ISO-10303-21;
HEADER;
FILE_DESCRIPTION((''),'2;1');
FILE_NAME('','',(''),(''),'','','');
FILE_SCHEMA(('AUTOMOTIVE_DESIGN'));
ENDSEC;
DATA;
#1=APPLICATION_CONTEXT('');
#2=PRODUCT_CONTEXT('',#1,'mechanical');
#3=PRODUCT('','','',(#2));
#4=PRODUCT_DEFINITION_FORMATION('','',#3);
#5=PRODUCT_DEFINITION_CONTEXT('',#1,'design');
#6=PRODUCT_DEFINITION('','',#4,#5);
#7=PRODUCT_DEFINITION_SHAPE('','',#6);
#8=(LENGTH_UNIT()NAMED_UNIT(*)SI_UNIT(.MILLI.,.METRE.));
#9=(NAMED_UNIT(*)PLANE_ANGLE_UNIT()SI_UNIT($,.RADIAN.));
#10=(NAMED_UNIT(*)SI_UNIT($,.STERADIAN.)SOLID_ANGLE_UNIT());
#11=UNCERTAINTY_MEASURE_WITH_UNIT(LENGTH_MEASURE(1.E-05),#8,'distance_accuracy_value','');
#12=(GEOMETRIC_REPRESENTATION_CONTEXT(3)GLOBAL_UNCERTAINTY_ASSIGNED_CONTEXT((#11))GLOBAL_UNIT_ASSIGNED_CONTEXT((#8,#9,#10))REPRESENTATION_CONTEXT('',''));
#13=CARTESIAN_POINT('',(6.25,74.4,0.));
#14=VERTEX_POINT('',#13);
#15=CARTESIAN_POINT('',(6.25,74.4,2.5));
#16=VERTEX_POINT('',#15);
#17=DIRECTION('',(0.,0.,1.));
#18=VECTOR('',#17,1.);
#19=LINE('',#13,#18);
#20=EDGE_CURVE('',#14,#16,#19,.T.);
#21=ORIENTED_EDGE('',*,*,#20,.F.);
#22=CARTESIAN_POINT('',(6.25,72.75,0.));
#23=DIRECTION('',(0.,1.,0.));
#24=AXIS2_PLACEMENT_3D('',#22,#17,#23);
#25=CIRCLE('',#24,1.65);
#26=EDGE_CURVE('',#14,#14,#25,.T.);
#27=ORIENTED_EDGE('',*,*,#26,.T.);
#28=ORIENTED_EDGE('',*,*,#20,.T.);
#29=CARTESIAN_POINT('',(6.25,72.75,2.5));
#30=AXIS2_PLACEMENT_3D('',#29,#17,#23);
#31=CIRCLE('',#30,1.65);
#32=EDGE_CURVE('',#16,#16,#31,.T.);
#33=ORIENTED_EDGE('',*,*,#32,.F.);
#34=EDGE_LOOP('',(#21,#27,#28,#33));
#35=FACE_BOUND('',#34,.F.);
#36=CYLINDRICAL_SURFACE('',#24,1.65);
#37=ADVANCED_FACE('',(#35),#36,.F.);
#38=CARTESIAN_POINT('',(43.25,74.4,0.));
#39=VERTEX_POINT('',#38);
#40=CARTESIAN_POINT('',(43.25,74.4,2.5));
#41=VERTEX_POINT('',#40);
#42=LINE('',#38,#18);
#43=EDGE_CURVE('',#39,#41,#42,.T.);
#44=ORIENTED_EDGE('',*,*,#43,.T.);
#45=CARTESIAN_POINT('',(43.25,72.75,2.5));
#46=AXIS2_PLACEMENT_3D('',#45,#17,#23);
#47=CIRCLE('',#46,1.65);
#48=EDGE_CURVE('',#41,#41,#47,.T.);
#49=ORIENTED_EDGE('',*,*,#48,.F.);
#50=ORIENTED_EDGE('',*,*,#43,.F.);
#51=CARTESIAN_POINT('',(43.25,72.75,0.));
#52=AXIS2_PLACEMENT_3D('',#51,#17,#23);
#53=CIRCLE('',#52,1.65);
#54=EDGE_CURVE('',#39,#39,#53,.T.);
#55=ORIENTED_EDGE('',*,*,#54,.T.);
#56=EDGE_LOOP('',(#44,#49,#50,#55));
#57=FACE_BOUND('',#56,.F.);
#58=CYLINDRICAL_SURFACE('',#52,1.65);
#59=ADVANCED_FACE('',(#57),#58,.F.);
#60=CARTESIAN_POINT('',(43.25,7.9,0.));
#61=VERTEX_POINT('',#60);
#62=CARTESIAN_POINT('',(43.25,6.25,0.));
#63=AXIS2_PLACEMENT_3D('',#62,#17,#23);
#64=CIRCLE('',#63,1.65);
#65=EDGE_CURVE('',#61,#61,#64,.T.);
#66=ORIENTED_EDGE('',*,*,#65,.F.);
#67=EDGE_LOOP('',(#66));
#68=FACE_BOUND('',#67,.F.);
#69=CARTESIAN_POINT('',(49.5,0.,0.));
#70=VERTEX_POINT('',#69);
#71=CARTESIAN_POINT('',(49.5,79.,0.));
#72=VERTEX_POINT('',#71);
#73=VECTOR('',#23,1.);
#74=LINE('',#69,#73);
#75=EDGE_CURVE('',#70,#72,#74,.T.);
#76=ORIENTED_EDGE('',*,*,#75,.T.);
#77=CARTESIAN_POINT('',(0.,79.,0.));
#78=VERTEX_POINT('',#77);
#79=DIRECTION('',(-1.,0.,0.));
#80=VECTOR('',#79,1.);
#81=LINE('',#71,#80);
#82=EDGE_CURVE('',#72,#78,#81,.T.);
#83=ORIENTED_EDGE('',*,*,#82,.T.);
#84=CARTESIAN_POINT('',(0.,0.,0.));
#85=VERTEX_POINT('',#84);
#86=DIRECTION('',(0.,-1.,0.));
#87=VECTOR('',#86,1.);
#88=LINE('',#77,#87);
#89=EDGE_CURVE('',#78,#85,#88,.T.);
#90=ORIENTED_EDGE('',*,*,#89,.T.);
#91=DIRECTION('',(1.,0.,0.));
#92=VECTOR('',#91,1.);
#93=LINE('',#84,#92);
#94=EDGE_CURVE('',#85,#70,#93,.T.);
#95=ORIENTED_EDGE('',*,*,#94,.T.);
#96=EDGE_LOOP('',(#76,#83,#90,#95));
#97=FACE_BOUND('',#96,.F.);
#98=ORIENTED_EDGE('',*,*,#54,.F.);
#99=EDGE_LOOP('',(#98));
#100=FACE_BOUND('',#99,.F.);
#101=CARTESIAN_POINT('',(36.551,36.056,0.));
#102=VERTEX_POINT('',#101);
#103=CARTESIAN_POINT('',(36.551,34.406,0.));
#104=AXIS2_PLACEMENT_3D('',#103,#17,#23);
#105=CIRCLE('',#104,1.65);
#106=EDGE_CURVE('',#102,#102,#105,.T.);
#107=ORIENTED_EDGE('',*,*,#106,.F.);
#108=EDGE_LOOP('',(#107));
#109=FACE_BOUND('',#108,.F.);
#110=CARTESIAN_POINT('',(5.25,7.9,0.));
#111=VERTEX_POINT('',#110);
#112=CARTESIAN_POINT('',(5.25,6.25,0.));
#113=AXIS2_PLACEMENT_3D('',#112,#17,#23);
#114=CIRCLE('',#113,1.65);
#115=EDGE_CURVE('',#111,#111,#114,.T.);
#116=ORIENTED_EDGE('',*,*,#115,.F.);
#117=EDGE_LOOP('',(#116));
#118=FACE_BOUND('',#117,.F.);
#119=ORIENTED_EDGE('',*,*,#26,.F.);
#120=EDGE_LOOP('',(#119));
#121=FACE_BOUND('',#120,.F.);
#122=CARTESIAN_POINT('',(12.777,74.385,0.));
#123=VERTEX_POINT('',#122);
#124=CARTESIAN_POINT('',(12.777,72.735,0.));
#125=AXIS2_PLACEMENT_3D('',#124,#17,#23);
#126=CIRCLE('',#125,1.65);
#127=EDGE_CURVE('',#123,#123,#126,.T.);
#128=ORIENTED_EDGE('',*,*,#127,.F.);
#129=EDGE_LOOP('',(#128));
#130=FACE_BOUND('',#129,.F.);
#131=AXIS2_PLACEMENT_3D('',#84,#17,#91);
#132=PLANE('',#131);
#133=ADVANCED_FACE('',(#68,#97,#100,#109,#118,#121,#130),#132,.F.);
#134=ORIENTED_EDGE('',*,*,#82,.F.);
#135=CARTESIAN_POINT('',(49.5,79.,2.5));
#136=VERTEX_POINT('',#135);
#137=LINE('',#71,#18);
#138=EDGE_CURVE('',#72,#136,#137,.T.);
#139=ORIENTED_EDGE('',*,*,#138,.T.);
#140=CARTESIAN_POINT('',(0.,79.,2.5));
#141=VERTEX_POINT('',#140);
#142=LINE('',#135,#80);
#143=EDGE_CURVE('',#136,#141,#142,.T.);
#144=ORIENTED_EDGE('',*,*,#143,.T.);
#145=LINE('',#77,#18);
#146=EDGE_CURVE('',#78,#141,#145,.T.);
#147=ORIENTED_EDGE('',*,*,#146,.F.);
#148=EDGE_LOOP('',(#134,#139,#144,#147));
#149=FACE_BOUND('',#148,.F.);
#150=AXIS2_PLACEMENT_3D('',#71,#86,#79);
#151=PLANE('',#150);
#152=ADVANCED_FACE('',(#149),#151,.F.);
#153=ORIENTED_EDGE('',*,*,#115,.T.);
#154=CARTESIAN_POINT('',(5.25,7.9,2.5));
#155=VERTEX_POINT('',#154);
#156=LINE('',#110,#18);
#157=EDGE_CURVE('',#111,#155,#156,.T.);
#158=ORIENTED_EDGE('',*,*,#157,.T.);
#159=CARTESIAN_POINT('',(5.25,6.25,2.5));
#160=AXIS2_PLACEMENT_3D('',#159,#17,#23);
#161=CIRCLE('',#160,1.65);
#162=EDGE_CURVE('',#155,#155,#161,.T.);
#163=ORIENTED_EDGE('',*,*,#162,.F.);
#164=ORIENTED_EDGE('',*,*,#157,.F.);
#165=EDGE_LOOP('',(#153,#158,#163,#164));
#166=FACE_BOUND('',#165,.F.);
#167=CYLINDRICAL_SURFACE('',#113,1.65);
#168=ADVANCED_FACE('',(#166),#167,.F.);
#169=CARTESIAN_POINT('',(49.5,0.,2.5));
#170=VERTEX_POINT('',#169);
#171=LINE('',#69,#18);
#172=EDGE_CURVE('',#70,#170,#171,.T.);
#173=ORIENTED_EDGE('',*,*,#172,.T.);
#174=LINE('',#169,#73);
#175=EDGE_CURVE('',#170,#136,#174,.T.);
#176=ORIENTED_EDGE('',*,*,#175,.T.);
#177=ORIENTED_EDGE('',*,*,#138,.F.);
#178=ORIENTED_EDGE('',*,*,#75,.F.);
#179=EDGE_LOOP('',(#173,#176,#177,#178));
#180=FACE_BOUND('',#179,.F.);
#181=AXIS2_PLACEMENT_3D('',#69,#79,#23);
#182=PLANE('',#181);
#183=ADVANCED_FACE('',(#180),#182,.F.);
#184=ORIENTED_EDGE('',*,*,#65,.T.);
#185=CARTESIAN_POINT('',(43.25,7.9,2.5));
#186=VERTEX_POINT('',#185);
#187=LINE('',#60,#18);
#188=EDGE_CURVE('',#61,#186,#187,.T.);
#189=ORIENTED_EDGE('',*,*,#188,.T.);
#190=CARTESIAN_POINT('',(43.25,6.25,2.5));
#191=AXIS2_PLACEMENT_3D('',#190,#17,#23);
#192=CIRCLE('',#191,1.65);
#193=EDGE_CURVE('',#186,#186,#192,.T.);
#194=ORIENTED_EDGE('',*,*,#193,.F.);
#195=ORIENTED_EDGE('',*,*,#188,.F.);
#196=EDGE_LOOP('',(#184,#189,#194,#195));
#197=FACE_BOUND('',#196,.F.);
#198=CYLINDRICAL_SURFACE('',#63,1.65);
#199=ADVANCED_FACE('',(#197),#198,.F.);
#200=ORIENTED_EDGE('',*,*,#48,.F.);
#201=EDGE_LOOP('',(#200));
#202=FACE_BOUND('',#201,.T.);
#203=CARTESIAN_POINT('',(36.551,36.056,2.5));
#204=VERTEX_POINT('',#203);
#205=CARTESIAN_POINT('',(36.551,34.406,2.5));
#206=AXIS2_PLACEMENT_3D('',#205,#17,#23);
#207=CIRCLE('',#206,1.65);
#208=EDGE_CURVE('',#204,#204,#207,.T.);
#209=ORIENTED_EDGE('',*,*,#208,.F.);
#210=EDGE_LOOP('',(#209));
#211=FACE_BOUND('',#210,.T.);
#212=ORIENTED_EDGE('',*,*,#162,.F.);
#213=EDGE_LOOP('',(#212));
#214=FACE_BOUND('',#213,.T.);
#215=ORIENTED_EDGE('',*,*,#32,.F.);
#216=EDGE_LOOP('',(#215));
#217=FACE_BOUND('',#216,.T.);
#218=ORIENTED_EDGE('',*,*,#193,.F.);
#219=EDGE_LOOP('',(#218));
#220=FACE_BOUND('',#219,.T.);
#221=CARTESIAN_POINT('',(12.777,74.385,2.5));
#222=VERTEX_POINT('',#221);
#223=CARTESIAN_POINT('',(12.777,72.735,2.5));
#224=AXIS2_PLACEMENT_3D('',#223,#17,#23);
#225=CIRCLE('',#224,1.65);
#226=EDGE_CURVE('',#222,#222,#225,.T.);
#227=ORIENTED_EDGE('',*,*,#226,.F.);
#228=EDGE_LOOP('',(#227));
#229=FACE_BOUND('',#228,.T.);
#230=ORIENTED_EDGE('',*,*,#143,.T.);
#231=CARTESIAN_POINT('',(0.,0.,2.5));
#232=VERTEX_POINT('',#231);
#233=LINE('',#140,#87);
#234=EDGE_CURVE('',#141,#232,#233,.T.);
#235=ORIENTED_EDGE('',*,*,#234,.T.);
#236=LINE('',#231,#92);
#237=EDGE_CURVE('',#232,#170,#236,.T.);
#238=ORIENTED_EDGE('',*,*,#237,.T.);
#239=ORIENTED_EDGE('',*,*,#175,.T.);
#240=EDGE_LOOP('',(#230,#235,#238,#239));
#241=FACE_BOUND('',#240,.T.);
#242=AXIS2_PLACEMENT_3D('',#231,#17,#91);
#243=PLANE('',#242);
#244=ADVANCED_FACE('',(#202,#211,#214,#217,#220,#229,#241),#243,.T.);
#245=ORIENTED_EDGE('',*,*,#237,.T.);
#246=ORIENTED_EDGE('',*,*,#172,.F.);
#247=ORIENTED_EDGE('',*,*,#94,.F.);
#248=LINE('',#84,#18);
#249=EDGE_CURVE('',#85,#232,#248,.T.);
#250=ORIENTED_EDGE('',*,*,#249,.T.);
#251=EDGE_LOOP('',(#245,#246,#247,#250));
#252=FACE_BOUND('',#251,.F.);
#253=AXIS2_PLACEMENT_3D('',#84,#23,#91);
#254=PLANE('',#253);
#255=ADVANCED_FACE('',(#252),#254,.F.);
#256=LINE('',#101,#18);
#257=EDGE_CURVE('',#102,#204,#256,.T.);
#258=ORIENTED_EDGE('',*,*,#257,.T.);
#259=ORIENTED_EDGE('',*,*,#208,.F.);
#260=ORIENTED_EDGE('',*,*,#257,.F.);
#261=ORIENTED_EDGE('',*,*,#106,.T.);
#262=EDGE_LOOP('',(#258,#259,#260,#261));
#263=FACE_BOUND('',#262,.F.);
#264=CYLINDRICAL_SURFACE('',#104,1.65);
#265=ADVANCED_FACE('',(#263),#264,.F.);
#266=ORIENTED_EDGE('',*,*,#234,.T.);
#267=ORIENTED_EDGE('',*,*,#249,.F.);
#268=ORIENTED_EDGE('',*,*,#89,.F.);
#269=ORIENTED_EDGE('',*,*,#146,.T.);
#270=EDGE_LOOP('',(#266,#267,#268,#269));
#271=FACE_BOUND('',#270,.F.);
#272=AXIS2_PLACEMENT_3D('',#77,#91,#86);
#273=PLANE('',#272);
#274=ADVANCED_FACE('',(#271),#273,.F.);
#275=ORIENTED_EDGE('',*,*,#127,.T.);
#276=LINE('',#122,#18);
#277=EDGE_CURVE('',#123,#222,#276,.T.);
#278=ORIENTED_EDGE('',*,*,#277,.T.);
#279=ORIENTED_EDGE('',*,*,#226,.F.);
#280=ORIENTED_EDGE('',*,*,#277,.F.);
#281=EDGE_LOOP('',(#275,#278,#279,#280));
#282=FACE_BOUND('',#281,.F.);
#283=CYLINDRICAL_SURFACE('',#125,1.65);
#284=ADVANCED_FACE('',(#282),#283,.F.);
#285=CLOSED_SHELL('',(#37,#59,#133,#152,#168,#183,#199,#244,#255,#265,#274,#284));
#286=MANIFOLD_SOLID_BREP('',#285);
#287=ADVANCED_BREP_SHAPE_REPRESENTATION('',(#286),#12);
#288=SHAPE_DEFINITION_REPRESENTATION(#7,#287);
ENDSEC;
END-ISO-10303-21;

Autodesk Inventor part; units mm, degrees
ref_plane "YZ Plane" through (0, 0, 0) normal (1, 0, 0) x (0, 1, 0)
ref_plane "XZ Plane" through (0, 0, 0) normal (0, 1, 0) x (-1, 0, 0)
ref_plane "XY Plane" through (0, 0, 0) normal (0, 0, 1) x (1, 0, 0)
sketch "Sketch1" plane through (0, 0, 0) normal (0, 0, 1) x (1, 0, 0)
  line L0 (0, 0) -> (49.5, 0)
  line L1 (49.5, 0) -> (49.5, 79)
  line L2 (49.5, 79) -> (0, 79)
  line L3 (0, 79) -> (0, 0)
  dimension "d0" = 49.5
  dimension "d1" = 79
extrude "Extrusion1" add sketch "Sketch1" along normal blind 2.5
sketch "Sketch2" plane through (0, 0, 0) normal (0, 0, 1) x (1, 0, 0)
  line L0 (0, 79) -> (0, 0) projected
  line L1 (49.5, 79) -> (0, 79) projected
  point P0 (12.777, 72.735)
  point P1 (36.551, 34.406)
  dimension "d4" = 12.777
  dimension "d5" = 6.265
  dimension "d6" = 38.329
  dimension "d7" = 23.774
hole "Hole1" at (12.777, 72.735, 0) at (36.551, 34.406, 0) direction (0, 0, 1) diameter 3.3 end through all
sketch "Sketch3" plane through (0, 0, 0) normal (0, 0, 1) x (1, 0, 0)
  line L0 (0, 0) -> (49.5, 0) projected
  line L1 (0, 79) -> (0, 0) projected
  point P0 (5.25, 6.25)
  point P1 (43.25, 6.25)
  point P2 (43.25, 72.75)
  point P3 (6.25, 72.75)
  dimension "d15" = 6.25
  dimension "d16" = 5.25
  dimension "d17" = 38
  dimension "d18" = 72.75
  dimension "d26" = 6.25
hole "Hole2" at (5.25, 6.25, 0) at (43.25, 6.25, 0) at (43.25, 72.75, 0) at (6.25, 72.75, 0) direction (0, 0, 1) diameter 3.3 end through all
properties part number "Tapadera_carcasa"
